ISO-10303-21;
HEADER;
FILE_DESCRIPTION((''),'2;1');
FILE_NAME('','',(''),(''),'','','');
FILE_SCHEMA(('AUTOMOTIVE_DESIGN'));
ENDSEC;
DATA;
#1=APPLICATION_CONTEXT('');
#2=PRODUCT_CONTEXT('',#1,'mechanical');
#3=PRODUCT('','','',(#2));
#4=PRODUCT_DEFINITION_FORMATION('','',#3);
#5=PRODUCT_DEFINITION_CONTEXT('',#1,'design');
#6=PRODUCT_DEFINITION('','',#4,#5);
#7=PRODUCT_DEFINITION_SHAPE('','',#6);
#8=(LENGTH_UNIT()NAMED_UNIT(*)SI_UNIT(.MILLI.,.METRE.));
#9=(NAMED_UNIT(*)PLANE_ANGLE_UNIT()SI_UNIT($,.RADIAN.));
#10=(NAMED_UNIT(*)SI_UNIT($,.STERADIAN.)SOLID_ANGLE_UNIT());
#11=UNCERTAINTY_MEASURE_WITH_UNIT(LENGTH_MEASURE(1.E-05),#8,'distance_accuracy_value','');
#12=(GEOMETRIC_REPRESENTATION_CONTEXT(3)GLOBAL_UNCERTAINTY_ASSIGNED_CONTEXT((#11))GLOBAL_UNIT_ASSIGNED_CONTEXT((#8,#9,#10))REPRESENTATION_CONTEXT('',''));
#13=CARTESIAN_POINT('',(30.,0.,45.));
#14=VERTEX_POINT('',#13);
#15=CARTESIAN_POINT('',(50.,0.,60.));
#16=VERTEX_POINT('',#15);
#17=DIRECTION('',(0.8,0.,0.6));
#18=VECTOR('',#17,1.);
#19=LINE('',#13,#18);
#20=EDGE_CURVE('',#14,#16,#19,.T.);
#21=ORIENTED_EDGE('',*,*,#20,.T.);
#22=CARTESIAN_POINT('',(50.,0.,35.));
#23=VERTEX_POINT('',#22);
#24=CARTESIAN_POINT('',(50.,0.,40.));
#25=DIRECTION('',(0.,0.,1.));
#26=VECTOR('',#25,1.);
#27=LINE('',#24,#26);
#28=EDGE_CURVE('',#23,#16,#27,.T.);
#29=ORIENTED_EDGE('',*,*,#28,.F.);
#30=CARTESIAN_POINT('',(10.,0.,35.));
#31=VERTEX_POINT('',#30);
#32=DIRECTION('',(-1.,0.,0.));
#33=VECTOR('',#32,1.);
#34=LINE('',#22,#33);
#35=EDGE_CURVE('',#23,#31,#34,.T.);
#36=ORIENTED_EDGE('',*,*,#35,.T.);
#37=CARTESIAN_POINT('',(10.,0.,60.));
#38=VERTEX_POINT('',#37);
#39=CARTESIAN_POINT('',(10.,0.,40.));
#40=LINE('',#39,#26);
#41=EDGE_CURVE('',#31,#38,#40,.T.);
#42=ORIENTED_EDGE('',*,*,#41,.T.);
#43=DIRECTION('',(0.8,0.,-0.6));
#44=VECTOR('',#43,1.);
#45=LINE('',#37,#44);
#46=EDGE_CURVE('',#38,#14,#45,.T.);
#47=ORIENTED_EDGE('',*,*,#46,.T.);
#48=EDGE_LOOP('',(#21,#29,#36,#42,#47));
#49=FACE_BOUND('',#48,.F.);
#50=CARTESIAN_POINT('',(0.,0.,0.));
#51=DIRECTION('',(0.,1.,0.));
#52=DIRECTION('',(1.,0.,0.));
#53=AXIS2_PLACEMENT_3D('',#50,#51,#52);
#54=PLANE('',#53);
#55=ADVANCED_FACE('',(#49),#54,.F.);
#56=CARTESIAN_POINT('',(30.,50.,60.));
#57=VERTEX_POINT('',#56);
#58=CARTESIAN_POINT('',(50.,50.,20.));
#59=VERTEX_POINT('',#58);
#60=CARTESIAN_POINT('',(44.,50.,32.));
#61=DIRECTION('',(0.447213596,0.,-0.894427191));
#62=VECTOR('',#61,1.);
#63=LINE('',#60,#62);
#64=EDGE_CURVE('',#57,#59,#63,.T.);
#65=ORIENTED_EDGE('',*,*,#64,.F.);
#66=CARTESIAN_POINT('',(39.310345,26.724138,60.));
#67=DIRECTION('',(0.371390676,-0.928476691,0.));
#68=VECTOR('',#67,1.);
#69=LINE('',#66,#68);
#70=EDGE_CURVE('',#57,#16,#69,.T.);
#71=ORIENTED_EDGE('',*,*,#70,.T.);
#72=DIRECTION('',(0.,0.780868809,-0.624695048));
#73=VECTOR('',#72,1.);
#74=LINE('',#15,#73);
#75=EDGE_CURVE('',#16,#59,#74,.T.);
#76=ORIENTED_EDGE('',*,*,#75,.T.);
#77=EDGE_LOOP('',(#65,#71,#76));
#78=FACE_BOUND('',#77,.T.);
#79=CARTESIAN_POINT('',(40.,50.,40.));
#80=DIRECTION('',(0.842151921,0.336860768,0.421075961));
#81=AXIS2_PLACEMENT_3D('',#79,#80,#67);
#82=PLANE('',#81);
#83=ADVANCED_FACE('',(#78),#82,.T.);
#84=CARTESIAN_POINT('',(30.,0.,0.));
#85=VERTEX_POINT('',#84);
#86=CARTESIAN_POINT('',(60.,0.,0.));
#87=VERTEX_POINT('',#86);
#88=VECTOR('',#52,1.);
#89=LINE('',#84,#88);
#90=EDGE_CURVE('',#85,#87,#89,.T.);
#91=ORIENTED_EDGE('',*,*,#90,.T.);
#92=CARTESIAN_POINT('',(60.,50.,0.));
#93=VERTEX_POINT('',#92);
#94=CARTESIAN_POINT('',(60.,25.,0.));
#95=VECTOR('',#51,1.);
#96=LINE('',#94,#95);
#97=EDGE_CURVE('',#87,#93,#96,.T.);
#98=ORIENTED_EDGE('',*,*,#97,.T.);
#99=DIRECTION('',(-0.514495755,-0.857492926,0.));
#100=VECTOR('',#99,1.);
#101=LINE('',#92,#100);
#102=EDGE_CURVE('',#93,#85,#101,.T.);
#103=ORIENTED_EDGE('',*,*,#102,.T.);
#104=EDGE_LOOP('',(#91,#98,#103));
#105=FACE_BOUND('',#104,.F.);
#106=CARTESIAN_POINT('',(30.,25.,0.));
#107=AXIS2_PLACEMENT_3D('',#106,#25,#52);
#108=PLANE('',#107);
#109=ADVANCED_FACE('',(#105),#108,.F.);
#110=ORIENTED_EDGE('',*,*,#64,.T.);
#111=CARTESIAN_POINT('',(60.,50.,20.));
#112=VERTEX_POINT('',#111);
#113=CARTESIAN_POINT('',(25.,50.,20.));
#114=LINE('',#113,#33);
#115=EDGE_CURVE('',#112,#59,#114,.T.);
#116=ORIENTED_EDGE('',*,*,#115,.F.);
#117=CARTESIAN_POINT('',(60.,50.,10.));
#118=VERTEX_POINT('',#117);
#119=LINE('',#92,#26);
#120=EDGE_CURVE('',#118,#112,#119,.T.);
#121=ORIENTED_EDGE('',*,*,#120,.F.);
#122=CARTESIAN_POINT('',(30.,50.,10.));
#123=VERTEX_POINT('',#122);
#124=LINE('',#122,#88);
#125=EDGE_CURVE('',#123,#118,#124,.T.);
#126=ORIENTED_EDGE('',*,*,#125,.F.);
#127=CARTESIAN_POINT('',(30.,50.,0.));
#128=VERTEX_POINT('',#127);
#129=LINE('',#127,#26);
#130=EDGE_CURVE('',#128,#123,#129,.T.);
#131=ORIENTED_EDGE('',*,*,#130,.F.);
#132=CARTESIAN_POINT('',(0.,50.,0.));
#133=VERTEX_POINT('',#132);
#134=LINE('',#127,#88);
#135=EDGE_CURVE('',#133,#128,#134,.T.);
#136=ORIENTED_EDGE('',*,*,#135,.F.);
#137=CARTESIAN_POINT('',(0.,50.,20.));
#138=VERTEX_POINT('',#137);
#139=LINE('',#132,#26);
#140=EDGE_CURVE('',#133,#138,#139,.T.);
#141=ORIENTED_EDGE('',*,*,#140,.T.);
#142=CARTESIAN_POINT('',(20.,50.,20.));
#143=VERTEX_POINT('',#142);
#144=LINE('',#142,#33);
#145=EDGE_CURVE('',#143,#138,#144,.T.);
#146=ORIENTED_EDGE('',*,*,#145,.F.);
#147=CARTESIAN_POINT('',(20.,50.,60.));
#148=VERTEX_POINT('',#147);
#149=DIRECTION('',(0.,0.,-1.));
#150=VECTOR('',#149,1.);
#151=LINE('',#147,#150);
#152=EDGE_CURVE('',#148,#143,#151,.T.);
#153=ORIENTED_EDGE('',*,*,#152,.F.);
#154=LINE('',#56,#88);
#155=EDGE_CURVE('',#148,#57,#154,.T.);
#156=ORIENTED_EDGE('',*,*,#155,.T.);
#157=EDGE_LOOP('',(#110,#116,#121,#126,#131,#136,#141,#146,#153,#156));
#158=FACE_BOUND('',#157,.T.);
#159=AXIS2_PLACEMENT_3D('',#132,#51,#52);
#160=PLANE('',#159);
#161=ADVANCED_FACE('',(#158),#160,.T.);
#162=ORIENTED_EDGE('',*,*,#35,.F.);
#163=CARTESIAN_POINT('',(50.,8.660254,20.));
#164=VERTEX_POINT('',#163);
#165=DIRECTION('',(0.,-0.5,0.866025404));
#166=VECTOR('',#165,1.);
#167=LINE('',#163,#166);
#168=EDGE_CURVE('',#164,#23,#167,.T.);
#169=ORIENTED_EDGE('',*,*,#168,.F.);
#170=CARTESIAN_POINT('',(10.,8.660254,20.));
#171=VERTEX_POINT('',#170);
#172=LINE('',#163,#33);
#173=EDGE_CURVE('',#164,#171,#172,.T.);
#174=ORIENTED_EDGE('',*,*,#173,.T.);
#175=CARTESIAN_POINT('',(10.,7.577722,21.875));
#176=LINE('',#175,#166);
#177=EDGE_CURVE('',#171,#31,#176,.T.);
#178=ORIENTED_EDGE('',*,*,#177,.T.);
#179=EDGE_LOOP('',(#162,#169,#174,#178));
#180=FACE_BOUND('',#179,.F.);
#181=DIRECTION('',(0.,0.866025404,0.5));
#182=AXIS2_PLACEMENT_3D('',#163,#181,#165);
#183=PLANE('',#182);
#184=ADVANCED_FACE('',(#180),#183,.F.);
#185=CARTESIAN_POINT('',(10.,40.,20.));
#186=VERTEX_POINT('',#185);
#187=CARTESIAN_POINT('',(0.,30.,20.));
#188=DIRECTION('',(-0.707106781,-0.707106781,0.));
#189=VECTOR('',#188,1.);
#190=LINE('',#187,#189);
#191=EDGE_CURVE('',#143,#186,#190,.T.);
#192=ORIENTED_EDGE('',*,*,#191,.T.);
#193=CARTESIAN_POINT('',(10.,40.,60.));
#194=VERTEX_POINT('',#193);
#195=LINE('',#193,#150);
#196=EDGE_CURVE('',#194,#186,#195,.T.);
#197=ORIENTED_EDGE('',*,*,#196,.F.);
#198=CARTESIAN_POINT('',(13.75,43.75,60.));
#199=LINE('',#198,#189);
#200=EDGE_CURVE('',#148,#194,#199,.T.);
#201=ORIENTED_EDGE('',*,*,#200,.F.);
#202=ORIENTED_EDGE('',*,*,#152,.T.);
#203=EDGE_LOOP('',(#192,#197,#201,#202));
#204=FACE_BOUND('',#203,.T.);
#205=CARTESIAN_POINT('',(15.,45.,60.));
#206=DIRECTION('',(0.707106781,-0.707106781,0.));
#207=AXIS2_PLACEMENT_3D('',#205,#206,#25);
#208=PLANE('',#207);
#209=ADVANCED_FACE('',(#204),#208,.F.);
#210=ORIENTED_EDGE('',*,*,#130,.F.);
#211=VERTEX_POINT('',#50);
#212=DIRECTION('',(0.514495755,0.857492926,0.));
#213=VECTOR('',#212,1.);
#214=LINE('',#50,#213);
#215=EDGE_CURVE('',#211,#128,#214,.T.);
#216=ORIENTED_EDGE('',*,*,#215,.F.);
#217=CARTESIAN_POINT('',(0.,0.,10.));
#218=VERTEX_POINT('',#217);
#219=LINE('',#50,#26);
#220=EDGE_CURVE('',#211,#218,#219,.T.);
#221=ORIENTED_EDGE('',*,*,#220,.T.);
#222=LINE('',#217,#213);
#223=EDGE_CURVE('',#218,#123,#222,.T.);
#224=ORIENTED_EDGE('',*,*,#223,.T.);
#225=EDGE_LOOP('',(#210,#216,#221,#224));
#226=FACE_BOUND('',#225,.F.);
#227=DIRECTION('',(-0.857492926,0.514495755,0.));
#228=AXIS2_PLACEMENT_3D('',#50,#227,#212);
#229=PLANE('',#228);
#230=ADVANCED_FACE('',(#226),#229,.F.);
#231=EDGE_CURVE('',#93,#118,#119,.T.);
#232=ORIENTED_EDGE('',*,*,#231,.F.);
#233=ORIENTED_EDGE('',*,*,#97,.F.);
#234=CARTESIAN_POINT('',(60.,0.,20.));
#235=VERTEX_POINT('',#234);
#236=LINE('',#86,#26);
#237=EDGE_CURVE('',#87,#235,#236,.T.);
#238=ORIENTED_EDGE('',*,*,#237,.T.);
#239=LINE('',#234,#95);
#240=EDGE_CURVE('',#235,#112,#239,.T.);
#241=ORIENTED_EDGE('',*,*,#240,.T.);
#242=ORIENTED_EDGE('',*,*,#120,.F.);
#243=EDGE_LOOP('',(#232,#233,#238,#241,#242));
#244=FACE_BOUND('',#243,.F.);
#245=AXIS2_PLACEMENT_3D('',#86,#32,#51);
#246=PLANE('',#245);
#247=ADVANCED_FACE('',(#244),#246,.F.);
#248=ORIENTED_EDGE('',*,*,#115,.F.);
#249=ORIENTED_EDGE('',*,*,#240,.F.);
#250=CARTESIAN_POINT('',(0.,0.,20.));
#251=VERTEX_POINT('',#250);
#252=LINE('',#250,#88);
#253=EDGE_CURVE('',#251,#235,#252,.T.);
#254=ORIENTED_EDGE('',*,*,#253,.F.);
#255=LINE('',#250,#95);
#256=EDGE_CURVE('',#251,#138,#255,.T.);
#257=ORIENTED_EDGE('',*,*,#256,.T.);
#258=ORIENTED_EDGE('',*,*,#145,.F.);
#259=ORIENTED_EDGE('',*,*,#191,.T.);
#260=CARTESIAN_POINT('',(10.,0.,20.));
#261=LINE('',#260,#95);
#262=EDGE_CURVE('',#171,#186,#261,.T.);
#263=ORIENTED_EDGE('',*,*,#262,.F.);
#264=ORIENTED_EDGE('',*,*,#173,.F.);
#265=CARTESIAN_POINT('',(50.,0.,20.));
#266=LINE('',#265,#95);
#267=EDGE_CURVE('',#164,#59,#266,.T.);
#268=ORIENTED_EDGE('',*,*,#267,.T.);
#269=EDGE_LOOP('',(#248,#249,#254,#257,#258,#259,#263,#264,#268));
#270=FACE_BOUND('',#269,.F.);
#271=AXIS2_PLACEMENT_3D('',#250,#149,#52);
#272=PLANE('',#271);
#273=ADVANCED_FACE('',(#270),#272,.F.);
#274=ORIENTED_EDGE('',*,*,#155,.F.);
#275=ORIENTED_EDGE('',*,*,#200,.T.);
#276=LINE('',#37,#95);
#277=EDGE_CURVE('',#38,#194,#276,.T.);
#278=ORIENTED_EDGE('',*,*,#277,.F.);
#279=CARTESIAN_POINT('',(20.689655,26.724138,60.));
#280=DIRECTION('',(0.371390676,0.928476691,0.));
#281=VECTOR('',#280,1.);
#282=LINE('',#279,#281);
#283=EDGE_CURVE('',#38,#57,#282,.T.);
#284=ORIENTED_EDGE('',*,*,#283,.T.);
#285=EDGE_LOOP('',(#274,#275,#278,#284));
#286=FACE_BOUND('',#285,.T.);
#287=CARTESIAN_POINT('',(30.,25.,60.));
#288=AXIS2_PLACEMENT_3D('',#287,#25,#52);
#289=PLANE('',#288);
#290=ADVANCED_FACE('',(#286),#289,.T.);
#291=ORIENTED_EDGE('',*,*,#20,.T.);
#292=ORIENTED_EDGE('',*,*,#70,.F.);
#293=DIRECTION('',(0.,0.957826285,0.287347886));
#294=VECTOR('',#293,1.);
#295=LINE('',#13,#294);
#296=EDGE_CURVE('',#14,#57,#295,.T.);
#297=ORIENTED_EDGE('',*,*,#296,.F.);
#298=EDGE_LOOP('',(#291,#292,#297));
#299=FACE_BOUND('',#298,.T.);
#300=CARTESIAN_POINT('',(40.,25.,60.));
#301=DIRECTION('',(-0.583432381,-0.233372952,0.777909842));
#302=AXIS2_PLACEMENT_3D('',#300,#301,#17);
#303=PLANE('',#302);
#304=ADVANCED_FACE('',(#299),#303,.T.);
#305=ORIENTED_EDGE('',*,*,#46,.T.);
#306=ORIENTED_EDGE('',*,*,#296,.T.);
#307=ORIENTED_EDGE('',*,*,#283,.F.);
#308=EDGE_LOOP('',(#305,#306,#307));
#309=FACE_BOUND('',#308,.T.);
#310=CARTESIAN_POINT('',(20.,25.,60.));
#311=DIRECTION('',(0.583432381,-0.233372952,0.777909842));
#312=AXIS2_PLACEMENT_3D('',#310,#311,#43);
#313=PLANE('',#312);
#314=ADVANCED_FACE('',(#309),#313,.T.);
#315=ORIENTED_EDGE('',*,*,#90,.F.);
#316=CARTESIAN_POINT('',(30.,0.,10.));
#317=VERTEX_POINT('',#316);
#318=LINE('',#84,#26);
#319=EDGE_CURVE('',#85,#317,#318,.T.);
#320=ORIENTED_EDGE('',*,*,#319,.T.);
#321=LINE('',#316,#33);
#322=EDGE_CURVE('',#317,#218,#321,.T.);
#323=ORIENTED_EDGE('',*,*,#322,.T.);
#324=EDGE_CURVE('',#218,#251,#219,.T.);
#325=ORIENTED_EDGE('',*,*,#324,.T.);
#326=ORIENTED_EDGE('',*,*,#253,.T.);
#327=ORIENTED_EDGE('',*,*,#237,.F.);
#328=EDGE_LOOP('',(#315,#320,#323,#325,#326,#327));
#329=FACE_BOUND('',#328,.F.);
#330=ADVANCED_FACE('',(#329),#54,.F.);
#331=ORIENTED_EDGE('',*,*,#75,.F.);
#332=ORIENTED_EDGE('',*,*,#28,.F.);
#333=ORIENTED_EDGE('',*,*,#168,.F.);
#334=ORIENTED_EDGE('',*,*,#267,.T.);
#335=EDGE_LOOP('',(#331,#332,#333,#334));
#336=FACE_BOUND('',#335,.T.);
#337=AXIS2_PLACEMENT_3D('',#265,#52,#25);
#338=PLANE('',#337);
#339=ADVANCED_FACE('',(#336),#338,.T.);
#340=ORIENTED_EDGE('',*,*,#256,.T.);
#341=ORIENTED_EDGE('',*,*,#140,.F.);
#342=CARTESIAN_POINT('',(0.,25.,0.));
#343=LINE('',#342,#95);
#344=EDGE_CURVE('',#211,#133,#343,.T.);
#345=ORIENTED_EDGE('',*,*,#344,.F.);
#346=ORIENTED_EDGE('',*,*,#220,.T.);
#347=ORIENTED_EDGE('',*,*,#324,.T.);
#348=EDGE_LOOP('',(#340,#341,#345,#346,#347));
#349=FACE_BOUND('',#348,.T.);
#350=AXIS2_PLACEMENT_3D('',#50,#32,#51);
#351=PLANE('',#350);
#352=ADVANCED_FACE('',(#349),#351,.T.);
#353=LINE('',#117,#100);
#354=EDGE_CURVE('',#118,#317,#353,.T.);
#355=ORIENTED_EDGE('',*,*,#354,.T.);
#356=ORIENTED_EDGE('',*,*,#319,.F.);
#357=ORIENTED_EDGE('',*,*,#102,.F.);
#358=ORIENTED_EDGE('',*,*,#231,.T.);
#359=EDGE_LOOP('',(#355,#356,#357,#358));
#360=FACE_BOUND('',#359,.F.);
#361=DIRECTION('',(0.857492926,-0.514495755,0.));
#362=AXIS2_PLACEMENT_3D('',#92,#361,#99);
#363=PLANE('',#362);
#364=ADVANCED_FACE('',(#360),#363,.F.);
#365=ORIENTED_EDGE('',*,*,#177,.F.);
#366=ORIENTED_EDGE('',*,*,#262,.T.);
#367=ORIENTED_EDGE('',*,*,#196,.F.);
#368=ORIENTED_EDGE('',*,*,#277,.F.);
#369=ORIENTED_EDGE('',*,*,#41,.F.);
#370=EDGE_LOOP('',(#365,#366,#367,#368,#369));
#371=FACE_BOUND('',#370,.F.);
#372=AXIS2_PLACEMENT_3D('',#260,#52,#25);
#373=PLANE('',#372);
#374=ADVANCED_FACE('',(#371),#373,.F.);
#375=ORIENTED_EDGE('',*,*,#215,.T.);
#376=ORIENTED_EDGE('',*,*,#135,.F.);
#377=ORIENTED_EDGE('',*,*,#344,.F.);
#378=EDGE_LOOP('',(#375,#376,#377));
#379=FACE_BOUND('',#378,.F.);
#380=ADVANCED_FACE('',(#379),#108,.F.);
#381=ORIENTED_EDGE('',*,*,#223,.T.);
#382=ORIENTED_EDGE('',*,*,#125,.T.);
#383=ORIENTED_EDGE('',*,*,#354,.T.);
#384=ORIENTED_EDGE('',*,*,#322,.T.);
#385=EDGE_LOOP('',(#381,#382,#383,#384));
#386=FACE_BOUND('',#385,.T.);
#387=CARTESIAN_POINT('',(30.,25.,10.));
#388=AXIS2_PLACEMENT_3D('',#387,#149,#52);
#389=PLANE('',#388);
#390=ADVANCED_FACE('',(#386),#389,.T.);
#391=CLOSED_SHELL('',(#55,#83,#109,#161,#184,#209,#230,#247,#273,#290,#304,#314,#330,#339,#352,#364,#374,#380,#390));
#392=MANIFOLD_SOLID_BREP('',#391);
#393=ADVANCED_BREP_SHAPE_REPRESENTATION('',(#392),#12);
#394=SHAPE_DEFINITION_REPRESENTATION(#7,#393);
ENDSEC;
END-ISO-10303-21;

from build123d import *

# Parameters (mm, degrees)
F0_W     = 60
F0_H     = 50
F1_DEPTH = 60
F2_W     = 10
F2_H     = 40
F3_DEPTH = 50.001
F5_DEPTH = 50.001
F7_DEPTH = 10
F11_SIZE = 10


with BuildPart() as f1:
    # F0 (on Top) → F1 (new body)
    with BuildSketch(Plane.XY):
        with Locations((30, 25)):
            Rectangle(F0_W, F0_H)
    extrude(amount=F1_DEPTH)

    # F2 (on face) → F3 (cut, through all)
    with BuildSketch(Plane.XZ):
        with Locations((5, 40)):
            Rectangle(F2_W, F2_H)
        with Locations((55, 40)):
            Rectangle(F2_W, F2_H)
    extrude(amount=-F3_DEPTH, mode=Mode.SUBTRACT)

    # F4 (on face) → F5 (cut, through all)
    with BuildSketch(Plane.YZ.offset(50)):
        Polygon((8.6602540378, 20), (0, 35), (0, 20), align=None)
    extrude(amount=-F5_DEPTH, mode=Mode.SUBTRACT)

    # F6 (on face) → F7 (cut)
    with BuildSketch(Plane(origin=(0, 0, 0), x_dir=(1, 0, 0), z_dir=(0, 0, -1))):
        Polygon((30, 0), (0, 0), (30, -50), (60, -50), align=None)
    extrude(amount=-F7_DEPTH, mode=Mode.SUBTRACT)

    # F10: sweep along a path in F9
    with BuildLine(Plane.YZ.offset(50)) as f10_path:
        Line((0, 45), (50, 60))
    # F8 (on face) → F10 (sweep, cut)
    with BuildSketch(Plane.XZ):
        Polygon((50, 60), (10, 60), (30, 45), align=None)
    sweep(path=f10_path.line, mode=Mode.SUBTRACT)

    # F11
    f11_edges = [f1.edges().sort_by_distance(p)[0] for p in [
        (10, 50, 40),
    ]]
    chamfer(f11_edges, length=F11_SIZE)

    # F13: sweep along a path in F12
    with BuildLine(Plane.YZ.offset(50)) as f13_path:
        Line((0, 60), (50, 20))
    # F10_face (on face) → F13 (sweep, cut)
    with BuildSketch(Plane(origin=(43.3333333333, 33.3333333333, 60), x_dir=(1, 0, 0), z_dir=(0, 0, 1))):
        Polygon((6.6666666667, -33.3333333333), (6.6666666667, 16.6666666667), (-13.3333333333, 16.6666666667), align=None)
    sweep(path=f13_path.line, mode=Mode.SUBTRACT)


solid = f1.part
